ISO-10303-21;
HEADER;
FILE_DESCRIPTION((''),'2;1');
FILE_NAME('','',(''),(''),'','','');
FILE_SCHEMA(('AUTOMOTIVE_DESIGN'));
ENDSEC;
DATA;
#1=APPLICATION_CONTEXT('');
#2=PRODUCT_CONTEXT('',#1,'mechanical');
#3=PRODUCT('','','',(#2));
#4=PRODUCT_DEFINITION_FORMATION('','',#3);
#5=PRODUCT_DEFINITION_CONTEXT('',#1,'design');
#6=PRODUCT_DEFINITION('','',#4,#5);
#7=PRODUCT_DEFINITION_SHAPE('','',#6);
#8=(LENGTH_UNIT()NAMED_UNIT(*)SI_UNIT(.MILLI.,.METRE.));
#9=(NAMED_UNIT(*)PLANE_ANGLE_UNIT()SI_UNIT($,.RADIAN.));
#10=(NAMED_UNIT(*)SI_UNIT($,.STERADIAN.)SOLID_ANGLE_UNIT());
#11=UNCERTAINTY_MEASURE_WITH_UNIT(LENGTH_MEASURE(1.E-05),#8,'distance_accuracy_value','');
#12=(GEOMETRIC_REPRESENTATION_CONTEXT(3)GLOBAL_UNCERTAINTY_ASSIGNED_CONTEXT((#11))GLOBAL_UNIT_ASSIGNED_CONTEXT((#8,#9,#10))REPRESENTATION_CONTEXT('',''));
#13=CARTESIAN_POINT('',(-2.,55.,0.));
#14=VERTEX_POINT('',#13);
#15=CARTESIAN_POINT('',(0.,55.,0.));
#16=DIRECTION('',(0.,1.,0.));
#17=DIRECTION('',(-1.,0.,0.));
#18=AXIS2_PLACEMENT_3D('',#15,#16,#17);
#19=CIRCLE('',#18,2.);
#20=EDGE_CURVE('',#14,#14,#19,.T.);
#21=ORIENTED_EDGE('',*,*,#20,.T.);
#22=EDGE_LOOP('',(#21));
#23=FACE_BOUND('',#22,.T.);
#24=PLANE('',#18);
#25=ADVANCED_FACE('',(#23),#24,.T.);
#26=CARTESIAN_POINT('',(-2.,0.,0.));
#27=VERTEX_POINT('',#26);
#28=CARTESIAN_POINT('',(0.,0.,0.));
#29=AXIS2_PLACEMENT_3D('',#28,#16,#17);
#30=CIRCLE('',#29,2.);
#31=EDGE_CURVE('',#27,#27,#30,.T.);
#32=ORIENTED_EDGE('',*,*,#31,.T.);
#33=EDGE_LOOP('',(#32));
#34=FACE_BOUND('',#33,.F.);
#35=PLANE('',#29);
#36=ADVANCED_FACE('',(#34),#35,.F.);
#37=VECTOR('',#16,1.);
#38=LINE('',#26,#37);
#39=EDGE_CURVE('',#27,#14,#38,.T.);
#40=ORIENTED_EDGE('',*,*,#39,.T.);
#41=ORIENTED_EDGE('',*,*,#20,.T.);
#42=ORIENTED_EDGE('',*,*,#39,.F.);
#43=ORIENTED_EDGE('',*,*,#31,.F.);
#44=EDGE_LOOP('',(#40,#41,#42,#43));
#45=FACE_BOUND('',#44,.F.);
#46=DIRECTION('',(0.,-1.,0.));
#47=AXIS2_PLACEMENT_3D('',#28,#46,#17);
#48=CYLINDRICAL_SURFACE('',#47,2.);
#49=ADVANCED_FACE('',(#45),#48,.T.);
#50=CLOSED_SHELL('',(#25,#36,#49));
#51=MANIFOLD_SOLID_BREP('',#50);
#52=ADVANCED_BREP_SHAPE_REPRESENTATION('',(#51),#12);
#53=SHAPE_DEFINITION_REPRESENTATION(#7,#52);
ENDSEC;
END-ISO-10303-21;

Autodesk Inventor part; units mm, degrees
ref_plane "YZ Plane" through (0, 0, 0) normal (1, 0, 0) x (0, 1, 0)
ref_plane "XZ Plane" through (0, 0, 0) normal (0, 1, 0) x (-1, 0, 0)
ref_plane "XY Plane" through (0, 0, 0) normal (0, 0, 1) x (1, 0, 0)
sketch "Эскиз1" plane through (0, 0, 0) normal (0, 1, 0) x (-1, 0, 0)
  circle A0 centre (0, 0) radius 2
  dimension "d0" = 4
extrude "Выдавливание1" add sketch "Эскиз1" along normal blind 55
properties part number "axis"
